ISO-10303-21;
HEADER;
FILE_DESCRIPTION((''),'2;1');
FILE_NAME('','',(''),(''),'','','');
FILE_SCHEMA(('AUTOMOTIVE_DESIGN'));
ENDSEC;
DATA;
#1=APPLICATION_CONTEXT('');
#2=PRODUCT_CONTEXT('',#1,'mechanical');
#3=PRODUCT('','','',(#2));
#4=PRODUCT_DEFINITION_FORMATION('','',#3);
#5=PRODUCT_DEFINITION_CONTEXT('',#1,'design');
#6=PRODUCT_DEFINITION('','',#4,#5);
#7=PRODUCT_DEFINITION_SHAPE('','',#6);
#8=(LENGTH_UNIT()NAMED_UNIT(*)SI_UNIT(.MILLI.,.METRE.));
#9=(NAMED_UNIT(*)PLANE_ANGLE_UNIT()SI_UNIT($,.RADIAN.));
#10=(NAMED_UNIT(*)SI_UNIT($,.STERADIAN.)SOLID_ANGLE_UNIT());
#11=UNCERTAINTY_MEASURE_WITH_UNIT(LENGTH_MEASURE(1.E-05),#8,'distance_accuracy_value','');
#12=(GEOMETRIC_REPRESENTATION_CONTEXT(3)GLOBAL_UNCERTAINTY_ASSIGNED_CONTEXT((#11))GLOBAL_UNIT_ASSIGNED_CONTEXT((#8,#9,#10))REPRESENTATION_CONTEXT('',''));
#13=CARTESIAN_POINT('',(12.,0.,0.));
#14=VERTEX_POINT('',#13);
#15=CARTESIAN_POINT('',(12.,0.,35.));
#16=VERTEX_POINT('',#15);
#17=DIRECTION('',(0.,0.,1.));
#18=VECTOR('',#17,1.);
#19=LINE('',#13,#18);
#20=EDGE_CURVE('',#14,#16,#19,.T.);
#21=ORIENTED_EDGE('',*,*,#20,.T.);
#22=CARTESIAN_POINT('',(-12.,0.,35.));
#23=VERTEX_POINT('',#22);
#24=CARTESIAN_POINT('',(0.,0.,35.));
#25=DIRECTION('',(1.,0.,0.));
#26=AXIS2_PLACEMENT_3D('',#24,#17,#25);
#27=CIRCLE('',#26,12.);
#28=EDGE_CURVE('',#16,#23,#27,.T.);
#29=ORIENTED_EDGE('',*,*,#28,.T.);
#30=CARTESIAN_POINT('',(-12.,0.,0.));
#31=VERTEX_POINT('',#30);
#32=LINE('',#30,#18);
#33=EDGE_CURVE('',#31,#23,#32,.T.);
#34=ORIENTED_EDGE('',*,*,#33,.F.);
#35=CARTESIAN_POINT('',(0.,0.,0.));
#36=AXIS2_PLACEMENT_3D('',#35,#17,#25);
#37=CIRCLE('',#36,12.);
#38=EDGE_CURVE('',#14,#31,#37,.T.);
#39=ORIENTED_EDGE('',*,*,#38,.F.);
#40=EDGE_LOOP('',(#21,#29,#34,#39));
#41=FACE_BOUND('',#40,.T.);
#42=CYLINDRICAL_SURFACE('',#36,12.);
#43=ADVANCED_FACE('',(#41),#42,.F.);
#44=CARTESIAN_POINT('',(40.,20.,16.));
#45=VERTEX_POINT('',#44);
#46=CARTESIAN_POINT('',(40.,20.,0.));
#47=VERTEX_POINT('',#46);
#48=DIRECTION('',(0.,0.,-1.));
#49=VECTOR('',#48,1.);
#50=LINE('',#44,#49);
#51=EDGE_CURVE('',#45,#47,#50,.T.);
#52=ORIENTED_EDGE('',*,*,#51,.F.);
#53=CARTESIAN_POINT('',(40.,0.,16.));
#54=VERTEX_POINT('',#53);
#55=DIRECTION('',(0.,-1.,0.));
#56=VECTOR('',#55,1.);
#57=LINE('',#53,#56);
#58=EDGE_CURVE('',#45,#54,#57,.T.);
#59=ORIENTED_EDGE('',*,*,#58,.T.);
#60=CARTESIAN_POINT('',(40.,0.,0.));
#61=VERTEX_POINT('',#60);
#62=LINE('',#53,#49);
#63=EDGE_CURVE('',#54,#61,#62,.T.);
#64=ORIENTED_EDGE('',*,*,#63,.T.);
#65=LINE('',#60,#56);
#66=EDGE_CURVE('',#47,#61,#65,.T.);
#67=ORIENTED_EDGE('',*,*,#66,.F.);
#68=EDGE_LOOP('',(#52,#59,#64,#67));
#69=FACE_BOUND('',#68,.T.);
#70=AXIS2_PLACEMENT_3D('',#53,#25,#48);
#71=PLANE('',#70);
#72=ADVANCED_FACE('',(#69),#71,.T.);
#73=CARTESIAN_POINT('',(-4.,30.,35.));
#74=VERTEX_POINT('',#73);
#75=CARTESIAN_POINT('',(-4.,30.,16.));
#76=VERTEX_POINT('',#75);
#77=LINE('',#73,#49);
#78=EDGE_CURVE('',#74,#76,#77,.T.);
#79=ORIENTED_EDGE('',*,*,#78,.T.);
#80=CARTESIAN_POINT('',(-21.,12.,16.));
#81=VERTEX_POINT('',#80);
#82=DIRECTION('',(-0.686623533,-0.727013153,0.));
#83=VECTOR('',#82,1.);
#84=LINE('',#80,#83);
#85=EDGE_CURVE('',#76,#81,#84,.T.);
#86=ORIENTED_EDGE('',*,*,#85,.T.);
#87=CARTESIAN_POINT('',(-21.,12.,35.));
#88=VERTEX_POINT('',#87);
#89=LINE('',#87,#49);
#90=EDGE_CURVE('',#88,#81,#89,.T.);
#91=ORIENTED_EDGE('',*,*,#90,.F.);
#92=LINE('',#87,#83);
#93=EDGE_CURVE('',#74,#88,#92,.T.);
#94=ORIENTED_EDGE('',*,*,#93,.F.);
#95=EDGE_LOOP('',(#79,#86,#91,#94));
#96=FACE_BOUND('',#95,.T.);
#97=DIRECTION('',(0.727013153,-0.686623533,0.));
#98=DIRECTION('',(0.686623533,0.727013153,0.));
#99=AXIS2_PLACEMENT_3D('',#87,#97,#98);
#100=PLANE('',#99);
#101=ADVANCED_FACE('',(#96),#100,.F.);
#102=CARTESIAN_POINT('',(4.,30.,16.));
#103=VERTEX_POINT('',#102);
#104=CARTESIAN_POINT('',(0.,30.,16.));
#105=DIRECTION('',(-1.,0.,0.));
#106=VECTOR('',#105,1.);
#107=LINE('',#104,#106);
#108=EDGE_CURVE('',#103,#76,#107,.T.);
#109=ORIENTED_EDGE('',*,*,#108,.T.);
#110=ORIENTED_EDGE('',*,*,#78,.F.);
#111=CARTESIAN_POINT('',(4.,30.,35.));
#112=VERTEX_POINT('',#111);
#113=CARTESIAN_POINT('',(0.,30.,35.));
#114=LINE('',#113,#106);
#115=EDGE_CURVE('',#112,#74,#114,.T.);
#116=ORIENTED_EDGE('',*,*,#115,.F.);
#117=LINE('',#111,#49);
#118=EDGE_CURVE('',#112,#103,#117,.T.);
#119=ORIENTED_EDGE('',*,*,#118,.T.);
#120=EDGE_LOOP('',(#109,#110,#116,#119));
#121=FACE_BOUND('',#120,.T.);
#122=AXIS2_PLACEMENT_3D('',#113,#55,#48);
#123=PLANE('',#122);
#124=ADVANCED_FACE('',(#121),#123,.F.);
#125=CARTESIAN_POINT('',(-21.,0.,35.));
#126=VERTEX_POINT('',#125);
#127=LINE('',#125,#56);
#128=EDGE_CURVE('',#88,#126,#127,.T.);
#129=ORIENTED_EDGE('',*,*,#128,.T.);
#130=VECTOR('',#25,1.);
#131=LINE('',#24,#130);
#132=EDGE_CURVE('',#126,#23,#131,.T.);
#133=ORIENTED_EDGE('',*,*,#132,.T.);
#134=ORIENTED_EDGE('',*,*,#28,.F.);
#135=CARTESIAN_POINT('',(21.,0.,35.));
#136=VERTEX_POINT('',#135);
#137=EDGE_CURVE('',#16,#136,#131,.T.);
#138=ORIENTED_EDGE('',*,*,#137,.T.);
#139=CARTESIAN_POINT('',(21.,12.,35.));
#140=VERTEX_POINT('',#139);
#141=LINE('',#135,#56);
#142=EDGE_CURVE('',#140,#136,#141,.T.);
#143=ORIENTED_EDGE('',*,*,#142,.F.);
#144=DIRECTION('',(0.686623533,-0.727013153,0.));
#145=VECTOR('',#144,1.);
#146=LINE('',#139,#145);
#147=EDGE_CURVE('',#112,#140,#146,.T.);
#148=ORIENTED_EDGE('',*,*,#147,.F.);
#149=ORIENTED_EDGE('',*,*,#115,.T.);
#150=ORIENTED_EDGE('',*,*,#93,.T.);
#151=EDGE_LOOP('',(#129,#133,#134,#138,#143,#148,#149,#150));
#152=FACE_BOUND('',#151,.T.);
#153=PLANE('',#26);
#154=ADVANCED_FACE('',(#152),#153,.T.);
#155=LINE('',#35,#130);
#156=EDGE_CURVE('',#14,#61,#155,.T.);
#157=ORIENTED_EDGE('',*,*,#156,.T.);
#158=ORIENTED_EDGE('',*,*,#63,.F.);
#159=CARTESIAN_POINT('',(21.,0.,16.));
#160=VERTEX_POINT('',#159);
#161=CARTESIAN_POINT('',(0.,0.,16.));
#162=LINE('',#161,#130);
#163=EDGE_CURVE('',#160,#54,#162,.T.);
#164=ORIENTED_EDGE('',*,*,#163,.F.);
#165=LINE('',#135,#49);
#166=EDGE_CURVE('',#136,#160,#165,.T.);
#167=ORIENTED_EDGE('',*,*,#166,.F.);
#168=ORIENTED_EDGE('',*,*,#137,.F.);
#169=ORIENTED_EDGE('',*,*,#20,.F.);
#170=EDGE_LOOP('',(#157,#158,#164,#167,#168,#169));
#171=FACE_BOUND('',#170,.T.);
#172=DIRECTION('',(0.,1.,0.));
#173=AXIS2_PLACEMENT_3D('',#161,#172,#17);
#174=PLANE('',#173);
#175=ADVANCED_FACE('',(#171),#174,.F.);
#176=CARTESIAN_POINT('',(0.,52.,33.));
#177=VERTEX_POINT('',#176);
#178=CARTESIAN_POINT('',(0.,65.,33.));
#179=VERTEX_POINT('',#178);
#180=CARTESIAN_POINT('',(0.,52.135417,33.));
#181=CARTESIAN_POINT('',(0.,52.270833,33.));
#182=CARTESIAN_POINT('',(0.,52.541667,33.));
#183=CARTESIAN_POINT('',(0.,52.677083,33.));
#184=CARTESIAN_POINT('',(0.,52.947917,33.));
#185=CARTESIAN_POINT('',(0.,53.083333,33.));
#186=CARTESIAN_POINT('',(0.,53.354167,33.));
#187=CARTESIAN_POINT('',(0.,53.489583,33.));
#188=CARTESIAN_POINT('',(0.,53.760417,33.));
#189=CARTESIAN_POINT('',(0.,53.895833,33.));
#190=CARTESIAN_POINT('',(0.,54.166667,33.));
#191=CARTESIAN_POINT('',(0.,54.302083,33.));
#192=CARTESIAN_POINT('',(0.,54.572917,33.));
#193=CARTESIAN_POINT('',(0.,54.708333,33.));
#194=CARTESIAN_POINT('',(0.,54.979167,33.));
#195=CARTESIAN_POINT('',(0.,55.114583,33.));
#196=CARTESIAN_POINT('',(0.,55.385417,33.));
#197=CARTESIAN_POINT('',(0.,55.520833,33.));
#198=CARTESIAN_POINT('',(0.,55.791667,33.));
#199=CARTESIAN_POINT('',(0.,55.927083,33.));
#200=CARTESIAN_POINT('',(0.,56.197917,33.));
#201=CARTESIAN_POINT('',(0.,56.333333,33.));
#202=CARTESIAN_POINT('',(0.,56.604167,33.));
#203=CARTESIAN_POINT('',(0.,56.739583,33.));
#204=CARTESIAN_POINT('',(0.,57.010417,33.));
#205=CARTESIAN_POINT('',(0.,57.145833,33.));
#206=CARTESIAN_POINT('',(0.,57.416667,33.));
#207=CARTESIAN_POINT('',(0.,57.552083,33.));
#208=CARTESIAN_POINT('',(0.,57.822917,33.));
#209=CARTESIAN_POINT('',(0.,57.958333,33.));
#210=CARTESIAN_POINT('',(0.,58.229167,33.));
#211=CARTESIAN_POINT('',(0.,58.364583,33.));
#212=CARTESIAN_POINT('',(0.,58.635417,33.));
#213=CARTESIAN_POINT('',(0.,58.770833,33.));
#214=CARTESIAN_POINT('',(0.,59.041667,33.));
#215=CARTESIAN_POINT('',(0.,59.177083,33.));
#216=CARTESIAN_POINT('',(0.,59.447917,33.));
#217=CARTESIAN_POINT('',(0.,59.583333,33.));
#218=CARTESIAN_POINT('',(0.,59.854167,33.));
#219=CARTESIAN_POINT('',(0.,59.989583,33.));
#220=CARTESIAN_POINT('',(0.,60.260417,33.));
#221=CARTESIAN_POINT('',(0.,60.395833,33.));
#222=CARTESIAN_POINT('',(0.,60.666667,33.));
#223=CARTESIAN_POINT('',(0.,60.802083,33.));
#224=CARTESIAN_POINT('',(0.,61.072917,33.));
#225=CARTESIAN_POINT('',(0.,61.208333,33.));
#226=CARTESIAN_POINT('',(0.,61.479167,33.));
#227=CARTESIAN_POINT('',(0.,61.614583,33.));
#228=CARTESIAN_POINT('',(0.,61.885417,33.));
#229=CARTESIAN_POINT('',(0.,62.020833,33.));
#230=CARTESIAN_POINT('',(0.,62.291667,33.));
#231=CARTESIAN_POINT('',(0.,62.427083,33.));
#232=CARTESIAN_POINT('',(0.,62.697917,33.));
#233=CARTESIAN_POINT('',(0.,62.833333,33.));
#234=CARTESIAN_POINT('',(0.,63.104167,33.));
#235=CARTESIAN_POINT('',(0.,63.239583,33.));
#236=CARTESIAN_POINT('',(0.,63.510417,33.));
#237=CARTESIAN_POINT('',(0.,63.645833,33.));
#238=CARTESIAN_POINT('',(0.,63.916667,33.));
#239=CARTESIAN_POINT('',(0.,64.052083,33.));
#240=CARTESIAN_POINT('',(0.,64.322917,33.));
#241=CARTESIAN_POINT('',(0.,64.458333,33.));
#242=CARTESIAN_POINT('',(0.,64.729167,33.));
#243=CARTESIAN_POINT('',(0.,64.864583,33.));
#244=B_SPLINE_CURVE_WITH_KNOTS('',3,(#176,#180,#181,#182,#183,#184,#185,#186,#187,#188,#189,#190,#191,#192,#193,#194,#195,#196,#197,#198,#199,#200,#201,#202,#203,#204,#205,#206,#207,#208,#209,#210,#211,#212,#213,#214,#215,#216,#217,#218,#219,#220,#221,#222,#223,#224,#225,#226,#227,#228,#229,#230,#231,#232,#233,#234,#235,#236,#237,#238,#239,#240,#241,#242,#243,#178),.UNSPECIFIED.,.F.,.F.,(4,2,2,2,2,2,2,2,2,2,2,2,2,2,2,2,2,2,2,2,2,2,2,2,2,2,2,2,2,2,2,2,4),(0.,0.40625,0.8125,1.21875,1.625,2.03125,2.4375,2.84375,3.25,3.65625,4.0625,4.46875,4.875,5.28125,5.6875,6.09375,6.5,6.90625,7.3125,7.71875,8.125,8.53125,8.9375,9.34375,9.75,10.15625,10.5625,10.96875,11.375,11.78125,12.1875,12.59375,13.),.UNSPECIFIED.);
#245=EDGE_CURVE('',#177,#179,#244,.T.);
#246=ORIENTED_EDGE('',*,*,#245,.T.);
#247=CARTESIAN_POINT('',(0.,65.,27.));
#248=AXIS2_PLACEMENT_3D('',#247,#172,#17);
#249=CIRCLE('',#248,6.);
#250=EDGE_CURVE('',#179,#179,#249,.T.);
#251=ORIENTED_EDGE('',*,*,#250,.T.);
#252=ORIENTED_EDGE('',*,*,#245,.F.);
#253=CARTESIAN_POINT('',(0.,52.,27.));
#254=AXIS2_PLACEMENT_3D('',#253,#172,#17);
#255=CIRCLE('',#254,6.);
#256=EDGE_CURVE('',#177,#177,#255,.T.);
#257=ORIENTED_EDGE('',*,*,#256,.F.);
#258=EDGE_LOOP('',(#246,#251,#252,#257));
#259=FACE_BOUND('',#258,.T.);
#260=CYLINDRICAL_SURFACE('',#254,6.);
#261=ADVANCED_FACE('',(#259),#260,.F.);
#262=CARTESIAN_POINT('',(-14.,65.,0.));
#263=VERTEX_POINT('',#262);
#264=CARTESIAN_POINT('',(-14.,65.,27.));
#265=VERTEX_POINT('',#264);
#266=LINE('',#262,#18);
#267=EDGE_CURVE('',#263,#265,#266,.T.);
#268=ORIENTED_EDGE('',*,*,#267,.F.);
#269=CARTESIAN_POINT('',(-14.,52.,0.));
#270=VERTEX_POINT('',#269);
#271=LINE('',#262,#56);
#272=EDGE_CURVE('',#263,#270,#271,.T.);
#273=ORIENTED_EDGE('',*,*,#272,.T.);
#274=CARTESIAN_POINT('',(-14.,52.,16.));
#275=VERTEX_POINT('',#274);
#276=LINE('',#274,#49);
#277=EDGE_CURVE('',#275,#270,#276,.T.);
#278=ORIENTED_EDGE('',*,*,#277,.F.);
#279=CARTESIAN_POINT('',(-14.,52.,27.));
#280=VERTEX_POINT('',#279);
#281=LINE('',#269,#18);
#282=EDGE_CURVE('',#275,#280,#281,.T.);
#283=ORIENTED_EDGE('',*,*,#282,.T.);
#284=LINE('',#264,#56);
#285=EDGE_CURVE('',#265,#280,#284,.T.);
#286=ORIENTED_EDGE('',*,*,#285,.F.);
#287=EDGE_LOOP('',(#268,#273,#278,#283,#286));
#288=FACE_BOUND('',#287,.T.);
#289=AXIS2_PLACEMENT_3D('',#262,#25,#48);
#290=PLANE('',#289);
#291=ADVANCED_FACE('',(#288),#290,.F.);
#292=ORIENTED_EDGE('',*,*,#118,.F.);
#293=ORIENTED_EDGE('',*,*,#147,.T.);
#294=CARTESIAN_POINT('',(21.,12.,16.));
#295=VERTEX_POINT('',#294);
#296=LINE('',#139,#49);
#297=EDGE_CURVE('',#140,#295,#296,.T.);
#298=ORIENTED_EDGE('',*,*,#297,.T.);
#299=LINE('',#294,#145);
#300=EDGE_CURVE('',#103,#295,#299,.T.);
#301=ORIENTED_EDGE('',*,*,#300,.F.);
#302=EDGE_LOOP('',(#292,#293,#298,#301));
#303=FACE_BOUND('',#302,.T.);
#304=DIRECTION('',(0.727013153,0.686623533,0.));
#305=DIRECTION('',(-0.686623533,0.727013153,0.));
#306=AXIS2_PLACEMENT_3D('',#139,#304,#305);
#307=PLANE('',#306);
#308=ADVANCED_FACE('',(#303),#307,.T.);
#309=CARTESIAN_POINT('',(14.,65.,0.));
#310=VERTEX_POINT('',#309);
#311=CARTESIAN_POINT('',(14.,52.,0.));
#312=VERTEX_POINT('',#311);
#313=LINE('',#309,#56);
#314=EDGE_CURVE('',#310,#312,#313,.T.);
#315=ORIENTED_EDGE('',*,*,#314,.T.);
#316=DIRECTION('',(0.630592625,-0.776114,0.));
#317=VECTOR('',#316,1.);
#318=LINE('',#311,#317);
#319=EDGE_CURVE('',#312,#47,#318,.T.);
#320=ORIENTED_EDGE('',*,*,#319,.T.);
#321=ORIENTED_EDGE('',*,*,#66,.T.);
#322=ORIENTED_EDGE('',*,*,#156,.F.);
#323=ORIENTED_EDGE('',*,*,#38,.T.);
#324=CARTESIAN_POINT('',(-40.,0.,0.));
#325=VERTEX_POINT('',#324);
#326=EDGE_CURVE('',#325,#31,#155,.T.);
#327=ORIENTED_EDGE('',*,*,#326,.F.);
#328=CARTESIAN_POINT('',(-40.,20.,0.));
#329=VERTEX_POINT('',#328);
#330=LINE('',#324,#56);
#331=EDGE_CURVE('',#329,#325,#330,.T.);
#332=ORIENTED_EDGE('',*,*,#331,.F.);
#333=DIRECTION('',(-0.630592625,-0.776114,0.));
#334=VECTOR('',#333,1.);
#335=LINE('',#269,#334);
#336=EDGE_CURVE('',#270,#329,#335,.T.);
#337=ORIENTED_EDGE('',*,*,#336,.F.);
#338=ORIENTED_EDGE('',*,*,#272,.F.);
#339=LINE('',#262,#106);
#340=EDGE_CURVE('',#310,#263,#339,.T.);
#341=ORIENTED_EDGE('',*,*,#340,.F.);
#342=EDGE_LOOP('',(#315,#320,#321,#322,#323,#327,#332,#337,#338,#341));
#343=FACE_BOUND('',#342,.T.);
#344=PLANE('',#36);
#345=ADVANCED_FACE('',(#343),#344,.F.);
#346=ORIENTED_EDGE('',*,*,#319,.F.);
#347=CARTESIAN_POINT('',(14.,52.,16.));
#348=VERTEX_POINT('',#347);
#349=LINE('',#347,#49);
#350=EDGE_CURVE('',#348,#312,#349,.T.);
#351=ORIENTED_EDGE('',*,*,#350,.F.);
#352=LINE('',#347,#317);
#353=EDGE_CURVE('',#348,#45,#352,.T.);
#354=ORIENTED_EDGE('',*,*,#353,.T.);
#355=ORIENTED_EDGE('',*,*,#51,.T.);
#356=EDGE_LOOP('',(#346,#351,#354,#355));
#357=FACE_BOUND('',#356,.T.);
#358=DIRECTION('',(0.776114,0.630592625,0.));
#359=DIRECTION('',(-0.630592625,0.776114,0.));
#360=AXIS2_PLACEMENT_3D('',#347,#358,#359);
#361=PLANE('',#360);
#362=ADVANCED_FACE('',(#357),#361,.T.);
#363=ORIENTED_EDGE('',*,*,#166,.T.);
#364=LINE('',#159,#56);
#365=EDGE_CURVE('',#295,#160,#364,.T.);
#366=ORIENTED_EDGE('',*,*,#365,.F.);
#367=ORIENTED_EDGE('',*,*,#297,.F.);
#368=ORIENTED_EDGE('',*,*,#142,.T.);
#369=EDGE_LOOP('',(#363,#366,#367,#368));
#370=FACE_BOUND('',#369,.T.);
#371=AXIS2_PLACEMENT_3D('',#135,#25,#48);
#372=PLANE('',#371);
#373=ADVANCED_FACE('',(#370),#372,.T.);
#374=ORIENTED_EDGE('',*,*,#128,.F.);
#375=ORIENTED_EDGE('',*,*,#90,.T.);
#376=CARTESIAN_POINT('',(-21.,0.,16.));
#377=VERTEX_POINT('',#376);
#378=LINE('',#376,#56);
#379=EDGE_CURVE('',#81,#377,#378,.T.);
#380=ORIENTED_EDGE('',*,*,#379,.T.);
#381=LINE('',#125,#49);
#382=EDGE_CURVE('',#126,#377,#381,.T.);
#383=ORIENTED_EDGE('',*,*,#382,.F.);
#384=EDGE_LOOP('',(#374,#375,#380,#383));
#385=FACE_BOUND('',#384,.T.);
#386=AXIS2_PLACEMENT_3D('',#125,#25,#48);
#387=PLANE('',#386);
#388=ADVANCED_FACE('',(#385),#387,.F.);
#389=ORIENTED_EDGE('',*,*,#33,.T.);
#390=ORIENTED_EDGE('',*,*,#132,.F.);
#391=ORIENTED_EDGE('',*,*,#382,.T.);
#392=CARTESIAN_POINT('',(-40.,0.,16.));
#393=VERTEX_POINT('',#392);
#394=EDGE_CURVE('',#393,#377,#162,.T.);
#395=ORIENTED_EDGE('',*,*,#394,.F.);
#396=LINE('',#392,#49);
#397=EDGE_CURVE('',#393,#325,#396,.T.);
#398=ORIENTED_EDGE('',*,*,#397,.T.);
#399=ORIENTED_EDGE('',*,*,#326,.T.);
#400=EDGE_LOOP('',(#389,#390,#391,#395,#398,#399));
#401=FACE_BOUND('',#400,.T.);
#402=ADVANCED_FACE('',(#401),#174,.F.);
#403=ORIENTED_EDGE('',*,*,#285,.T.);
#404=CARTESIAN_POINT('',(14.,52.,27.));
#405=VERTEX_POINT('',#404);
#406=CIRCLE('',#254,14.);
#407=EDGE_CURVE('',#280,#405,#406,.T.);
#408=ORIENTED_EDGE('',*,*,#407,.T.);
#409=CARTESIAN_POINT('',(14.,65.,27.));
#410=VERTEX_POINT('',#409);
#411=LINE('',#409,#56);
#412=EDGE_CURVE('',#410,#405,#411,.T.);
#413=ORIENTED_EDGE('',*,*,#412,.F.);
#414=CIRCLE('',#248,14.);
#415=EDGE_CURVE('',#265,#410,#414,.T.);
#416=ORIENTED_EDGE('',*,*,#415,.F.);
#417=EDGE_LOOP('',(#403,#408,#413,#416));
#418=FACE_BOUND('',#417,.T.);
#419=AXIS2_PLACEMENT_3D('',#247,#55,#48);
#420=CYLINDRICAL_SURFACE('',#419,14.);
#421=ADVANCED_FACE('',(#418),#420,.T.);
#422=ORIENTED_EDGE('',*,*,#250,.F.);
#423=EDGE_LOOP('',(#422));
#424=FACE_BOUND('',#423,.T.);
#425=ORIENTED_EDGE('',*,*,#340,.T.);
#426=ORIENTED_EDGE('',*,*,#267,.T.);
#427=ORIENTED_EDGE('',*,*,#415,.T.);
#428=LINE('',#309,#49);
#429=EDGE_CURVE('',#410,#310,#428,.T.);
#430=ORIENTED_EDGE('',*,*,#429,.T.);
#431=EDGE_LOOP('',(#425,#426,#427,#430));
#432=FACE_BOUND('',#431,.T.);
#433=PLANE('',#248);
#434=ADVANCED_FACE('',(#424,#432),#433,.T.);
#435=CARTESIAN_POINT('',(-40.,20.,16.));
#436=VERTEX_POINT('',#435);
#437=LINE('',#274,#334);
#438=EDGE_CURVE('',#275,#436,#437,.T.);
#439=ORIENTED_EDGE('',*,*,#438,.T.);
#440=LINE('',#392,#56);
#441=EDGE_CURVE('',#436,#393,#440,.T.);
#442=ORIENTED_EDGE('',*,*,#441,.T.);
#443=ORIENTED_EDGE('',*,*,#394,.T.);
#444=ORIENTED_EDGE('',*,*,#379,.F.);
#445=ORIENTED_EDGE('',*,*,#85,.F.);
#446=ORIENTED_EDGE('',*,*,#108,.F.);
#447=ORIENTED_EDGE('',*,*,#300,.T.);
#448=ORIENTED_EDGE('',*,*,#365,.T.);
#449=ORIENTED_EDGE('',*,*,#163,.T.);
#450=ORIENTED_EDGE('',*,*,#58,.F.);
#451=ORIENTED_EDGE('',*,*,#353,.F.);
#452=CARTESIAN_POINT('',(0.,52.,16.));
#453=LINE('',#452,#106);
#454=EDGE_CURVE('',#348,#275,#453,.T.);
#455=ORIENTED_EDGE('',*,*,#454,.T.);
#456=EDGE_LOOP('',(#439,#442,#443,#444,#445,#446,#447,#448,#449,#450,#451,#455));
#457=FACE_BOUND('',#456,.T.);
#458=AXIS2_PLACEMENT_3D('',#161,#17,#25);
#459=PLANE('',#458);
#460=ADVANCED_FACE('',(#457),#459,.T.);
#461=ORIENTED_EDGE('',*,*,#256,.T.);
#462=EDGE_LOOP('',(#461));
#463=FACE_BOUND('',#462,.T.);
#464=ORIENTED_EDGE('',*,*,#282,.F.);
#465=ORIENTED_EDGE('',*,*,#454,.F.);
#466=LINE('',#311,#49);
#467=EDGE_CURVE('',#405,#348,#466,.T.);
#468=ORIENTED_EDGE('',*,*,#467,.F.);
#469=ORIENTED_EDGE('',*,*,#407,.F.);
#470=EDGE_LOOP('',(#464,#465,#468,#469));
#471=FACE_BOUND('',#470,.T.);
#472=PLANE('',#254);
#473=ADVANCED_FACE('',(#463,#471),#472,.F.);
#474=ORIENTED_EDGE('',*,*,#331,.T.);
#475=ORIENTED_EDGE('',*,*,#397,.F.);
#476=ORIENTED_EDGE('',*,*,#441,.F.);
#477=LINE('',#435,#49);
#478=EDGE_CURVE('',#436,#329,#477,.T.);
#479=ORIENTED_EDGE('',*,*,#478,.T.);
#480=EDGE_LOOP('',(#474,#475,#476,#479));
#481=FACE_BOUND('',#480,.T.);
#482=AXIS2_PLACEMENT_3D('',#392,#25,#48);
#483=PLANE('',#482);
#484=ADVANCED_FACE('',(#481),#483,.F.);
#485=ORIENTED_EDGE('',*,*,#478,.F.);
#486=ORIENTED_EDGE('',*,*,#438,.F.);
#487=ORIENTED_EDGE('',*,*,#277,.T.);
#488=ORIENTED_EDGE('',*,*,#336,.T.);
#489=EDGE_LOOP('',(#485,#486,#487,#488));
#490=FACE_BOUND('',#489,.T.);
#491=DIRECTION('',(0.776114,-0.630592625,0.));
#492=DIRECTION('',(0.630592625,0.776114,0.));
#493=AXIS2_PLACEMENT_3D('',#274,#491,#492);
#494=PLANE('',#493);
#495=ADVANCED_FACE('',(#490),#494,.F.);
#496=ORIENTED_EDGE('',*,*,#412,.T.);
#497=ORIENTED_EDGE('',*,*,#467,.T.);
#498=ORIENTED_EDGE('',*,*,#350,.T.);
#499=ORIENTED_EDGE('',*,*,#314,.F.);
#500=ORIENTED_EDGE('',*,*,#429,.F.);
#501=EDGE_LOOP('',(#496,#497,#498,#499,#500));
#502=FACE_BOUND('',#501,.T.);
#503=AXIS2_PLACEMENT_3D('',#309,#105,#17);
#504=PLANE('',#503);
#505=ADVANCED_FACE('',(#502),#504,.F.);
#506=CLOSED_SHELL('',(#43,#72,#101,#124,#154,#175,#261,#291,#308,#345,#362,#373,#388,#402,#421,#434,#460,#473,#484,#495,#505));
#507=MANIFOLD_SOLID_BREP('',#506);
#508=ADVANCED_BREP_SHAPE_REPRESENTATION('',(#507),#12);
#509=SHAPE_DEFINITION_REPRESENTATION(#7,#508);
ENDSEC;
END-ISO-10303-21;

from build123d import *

# Parameters (mm, degrees)
EXTRUDE_1_DEPTH     = 16
EXTRUDE_2_DEPTH     = 13
SKETCH_4_R          = 6
CUT_EXTRUDE_1_DEPTH = 13
EXTRUDE_3_DEPTH     = 19
CUT_EXTRUDE_2_DEPTH = 35


with BuildPart() as part:
    # 草图1 → 凸台-拉伸1 (new body)
    with BuildSketch(Plane.XY):
        Polygon((0, 0), (-40, 0), (-40, 20), (-14, 52), (0, 52), align=None)
    extrude_1 = extrude(amount=EXTRUDE_1_DEPTH)

    # 镜向1: 凸台-拉伸1 across plane
    add(extrude_1.mirror(Plane(origin=(0, 0, 16), x_dir=(0, 0, 1), z_dir=(-1, 0, 0))))

    # 草图3 → 凸台-拉伸2 (add)
    with BuildSketch(Plane(origin=(0, 52, 0), x_dir=(1, 0, 0), z_dir=(0, 1, 0))):
        with BuildLine():
            Line((-14, 0), (-14, -27))
            ThreePointArc((-14, -27), (0, -41), (14, -27))
            Line((14, -27), (14, 0))
            Line((14, 0), (-14, 0))
        make_face()
    extrude(amount=EXTRUDE_2_DEPTH)

    # 草图4 → 切除-拉伸1 (cut)
    with BuildSketch(Plane(origin=(0, 65, 0), x_dir=(1, 0, 0), z_dir=(0, 1, 0))):
        with Locations(Location((0, -27, 0), (0, 0, 270))):
            Circle(SKETCH_4_R)
    extrude(amount=-CUT_EXTRUDE_1_DEPTH, mode=Mode.SUBTRACT)

    # 草图5 → 凸台-拉伸3 (add)
    with BuildSketch(Plane.XY.offset(16)):
        Polygon((0, 0), (-21, 0), (-21, 12), (-4, 30), (0, 30), align=None)
    extrude_3 = extrude(amount=EXTRUDE_3_DEPTH)

    # 镜向2: 凸台-拉伸3 across plane
    add(extrude_3.mirror(Plane(origin=(0, 0, 35), x_dir=(0, 0, 1), z_dir=(-1, 0, 0))))

    # 草图6 → 切除-拉伸2 (cut)
    with BuildSketch(Plane.XY.offset(35)):
        with BuildLine():
            Line((-12, 0), (12, 0))
            ThreePointArc((12, 0), (0, 12), (-12, 0))
        make_face()
    extrude(amount=-CUT_EXTRUDE_2_DEPTH, mode=Mode.SUBTRACT)


solid = part.part
